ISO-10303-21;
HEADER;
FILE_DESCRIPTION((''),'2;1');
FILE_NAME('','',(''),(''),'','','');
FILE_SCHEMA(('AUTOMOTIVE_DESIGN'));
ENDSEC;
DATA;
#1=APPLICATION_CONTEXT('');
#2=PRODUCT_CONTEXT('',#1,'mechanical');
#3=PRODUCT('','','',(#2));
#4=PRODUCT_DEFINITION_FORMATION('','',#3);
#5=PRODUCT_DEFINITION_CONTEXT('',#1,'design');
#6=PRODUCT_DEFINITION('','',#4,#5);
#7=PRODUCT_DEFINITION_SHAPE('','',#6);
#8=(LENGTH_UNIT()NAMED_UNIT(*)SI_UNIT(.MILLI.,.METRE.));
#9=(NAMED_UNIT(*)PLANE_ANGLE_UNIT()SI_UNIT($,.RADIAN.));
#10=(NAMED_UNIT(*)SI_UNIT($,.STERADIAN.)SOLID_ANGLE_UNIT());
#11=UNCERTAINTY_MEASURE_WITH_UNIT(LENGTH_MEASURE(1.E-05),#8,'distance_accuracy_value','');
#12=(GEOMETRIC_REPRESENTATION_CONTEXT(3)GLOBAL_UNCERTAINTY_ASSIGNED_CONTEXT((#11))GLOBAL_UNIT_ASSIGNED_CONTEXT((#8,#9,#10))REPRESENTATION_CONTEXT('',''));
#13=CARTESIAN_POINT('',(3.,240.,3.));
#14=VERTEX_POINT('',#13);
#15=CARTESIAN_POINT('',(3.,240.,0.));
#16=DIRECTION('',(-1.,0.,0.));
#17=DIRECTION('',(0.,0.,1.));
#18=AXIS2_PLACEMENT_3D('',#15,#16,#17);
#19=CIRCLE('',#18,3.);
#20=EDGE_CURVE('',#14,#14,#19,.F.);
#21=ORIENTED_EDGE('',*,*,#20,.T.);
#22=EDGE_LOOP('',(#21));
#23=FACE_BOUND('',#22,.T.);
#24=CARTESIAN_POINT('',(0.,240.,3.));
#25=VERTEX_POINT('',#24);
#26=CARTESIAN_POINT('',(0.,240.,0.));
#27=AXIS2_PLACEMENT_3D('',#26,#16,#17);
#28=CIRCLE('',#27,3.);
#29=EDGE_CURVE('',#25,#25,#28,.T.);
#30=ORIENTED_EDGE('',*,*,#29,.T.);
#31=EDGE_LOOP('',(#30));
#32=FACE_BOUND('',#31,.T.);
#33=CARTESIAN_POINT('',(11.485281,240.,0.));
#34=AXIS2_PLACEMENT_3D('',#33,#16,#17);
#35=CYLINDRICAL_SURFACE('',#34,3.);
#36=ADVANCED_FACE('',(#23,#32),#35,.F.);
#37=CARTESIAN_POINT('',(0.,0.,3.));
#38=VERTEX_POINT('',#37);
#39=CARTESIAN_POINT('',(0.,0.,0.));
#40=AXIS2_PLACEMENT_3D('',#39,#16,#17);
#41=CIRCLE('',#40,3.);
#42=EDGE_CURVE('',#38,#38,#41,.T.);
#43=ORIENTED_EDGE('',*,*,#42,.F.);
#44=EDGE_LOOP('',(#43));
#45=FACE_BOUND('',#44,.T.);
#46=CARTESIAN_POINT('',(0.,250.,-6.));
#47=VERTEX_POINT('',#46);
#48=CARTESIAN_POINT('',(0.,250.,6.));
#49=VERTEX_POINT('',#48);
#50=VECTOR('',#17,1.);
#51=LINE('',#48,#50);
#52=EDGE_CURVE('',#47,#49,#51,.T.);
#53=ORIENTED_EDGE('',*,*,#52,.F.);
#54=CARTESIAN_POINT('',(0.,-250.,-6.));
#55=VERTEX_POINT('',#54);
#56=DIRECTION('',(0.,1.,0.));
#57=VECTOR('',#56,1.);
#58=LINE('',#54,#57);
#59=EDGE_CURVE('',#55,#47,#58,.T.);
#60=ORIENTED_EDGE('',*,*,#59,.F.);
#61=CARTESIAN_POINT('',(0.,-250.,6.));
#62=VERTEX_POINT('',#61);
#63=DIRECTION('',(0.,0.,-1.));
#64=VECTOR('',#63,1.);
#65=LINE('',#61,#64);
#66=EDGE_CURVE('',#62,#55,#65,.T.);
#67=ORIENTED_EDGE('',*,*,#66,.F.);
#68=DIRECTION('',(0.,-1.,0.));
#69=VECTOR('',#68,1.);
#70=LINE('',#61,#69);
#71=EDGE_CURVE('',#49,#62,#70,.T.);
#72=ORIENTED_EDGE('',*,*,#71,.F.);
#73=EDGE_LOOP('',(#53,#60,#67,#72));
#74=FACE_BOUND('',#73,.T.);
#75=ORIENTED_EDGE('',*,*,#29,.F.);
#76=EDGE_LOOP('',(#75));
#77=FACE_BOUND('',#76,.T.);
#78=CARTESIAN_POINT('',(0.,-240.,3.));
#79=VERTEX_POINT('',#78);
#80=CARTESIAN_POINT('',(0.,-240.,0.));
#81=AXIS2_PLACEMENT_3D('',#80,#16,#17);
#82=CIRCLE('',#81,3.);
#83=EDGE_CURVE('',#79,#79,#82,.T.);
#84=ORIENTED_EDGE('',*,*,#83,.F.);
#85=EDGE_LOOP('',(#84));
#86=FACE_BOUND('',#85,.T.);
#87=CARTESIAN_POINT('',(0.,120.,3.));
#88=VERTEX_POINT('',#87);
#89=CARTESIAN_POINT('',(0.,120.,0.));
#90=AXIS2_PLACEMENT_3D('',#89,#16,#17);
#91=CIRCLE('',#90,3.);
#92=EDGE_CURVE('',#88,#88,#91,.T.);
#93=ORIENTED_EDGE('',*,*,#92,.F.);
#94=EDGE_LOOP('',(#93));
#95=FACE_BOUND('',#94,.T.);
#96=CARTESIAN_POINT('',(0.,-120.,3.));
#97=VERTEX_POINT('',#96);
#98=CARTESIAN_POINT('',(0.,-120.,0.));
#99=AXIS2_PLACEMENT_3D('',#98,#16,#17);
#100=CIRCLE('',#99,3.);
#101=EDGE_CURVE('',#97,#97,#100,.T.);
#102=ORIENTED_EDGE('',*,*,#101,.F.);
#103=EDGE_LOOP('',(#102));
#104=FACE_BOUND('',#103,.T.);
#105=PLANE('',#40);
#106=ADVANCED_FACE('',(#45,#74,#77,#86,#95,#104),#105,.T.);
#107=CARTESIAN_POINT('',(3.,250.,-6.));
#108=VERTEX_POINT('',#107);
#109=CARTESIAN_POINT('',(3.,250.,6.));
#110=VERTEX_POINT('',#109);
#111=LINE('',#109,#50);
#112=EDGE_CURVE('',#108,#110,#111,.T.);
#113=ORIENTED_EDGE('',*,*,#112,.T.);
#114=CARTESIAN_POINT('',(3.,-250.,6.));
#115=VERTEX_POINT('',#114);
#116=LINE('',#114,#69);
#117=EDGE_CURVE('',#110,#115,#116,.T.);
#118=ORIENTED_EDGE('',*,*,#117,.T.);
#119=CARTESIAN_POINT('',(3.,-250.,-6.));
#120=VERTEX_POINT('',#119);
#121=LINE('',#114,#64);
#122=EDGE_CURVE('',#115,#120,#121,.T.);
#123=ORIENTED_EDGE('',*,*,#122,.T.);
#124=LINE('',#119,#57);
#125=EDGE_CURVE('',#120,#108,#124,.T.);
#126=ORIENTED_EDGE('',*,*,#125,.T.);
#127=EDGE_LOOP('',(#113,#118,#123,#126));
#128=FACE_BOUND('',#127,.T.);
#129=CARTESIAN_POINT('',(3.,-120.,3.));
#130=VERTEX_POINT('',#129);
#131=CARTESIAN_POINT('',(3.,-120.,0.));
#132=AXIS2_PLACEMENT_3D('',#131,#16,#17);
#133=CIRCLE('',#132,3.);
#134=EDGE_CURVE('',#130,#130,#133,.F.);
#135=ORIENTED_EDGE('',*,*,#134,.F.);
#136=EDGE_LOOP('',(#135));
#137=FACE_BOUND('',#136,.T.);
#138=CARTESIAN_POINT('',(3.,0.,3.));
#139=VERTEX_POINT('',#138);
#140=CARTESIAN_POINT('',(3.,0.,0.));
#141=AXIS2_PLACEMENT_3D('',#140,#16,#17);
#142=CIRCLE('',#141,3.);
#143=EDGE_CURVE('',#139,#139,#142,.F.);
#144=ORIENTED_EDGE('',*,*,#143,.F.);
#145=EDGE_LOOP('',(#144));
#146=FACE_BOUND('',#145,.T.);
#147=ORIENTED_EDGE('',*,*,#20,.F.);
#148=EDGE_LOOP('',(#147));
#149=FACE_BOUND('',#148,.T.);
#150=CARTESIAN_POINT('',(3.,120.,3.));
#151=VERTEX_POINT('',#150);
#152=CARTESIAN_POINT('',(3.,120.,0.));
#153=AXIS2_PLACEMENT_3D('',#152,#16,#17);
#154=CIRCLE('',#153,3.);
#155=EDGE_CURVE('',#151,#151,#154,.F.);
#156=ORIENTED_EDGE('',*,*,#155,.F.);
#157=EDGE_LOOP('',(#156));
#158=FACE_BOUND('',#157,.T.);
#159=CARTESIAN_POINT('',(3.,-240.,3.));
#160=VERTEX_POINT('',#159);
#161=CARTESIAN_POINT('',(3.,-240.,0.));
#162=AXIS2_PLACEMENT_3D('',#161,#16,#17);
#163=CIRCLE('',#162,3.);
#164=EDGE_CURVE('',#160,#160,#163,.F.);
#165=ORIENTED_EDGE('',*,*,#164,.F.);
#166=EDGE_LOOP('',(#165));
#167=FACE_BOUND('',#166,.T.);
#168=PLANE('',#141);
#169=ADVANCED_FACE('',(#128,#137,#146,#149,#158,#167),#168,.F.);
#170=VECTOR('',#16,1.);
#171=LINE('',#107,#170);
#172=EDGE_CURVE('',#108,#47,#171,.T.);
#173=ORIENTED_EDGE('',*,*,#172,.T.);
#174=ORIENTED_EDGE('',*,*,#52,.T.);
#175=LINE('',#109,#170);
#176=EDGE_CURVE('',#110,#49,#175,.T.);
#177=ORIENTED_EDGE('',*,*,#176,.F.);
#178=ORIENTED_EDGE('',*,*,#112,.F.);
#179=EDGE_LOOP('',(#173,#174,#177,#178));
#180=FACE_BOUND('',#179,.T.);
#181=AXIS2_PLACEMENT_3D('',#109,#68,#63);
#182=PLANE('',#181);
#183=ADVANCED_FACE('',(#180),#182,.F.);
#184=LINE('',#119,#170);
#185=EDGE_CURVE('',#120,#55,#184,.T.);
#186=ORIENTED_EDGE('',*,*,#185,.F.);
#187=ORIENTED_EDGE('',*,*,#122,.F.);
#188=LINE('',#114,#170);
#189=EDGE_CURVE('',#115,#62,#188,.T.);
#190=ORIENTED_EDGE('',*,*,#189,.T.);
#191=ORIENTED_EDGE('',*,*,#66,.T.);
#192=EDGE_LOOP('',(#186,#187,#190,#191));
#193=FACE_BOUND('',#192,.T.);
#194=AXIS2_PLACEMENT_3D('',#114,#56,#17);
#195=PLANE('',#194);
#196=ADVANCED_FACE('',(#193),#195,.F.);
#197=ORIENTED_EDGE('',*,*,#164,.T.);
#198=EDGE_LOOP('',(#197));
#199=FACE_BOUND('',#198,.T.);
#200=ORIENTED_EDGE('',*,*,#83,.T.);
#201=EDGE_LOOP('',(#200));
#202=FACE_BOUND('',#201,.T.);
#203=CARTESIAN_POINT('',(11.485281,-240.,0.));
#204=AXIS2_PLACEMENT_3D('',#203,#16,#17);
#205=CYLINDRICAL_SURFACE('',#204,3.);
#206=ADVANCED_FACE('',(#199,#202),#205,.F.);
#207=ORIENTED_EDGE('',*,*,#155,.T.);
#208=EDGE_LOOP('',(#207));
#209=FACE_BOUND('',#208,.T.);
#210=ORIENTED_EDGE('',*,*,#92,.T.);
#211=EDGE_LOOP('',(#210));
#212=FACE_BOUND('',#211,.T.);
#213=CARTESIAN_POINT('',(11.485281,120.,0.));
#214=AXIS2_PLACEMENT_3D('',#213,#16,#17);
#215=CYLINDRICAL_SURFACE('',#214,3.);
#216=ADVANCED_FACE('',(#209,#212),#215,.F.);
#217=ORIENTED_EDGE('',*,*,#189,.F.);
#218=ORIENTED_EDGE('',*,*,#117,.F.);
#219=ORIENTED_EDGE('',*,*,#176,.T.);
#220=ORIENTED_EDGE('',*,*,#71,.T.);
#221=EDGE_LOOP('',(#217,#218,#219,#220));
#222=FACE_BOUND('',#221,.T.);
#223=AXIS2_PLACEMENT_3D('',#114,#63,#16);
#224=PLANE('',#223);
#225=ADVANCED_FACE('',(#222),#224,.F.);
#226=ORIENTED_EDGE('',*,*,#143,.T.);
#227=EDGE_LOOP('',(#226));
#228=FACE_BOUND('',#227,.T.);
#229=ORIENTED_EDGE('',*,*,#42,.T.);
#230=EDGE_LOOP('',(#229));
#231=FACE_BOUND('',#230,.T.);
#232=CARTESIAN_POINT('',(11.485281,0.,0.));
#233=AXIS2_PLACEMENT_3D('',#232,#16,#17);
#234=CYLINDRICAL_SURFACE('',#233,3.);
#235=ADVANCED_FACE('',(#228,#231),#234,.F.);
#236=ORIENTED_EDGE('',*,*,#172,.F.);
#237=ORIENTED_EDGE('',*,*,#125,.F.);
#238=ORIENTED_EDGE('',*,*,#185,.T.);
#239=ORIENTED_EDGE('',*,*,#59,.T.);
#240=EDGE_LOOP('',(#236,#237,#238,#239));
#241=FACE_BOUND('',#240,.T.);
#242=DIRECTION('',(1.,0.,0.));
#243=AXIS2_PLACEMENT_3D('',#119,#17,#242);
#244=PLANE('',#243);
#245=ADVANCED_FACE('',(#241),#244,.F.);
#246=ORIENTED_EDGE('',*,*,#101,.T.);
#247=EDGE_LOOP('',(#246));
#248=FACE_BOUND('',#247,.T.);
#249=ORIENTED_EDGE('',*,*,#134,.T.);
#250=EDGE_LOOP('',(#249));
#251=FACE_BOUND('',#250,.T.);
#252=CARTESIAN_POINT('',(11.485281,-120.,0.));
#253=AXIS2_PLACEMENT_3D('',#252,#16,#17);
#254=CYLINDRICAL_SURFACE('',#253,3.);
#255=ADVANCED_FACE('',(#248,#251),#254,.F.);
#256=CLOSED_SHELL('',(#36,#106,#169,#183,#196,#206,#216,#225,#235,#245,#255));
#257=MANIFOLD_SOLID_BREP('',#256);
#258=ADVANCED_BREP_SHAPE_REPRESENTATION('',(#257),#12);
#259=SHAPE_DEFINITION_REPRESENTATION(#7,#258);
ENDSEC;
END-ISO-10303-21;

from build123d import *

# Parameters (mm, degrees)
SKETCH1_W           = 12
SKETCH1_H           = 500
BOSS_EXTRUDE1_DEPTH = 3
SKETCH3_R           = 3
CUT_EXTRUDE1_DEPTH  = 3


with BuildPart() as part:
    # Sketch1 → Boss-Extrude1 (new body)
    with BuildSketch(Plane(origin=(0, 0, 0), x_dir=(0, 0, -1), z_dir=(1, 0, 0))):
        Rectangle(SKETCH1_W, SKETCH1_H)
    extrude(amount=BOSS_EXTRUDE1_DEPTH)

    # Sketch3 → Cut-Extrude1 (cut)
    with BuildSketch(Plane.ZY):
        with Locations((0, 240)):
            Circle(SKETCH3_R)
        with Locations((0, 120)):
            Circle(SKETCH3_R)
        Circle(SKETCH3_R)
        with Locations((0, -120)):
            Circle(SKETCH3_R)
        with Locations((0, -240)):
            Circle(SKETCH3_R)
    extrude(amount=-CUT_EXTRUDE1_DEPTH, mode=Mode.SUBTRACT)


solid = part.part
